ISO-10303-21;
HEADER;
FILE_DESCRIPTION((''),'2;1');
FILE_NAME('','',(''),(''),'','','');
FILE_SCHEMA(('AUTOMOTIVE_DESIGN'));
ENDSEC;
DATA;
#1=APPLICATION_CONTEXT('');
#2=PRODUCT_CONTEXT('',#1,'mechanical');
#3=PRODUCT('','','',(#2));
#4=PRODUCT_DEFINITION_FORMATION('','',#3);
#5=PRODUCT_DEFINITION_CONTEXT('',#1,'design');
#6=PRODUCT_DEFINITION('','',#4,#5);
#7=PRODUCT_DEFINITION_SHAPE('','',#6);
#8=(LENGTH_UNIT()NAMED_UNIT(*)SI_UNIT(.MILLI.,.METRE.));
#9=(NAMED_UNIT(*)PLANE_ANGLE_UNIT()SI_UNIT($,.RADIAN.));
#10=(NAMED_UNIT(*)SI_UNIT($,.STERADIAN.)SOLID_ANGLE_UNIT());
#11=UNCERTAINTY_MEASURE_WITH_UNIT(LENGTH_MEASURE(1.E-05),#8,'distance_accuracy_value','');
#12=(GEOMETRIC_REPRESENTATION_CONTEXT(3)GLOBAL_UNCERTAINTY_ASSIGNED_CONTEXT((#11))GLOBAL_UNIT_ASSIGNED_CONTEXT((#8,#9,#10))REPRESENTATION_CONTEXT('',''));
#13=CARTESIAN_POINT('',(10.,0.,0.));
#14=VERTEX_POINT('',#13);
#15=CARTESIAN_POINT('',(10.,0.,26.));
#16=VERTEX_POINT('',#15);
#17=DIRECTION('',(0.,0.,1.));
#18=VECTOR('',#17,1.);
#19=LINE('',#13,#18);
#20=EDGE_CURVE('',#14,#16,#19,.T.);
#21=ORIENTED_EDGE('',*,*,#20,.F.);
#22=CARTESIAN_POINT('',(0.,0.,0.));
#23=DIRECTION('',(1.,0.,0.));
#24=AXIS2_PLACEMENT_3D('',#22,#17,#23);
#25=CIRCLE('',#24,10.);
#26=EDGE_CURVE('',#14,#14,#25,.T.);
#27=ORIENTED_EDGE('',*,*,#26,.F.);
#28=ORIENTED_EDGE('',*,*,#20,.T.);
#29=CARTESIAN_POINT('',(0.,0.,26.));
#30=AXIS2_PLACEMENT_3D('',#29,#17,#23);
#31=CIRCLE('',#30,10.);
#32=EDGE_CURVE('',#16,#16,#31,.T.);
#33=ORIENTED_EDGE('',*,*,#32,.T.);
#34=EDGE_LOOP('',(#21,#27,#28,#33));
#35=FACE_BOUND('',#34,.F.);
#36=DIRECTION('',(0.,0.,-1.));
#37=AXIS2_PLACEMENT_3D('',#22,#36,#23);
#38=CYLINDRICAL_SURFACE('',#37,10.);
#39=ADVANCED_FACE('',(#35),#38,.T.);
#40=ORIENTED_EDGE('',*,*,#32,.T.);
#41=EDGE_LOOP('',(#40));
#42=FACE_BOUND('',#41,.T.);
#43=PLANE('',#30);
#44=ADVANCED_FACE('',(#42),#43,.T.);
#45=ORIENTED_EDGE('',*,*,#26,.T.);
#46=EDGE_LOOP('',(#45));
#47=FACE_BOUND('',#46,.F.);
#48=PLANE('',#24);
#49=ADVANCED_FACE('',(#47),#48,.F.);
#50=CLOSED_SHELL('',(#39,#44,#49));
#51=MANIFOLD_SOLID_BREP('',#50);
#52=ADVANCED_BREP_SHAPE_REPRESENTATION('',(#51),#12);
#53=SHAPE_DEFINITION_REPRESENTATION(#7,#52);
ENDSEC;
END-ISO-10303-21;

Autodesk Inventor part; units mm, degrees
ref_plane "YZ Plane" through (0, 0, 0) normal (1, 0, 0) x (0, 1, 0)
ref_plane "XZ Plane" through (0, 0, 0) normal (0, 1, 0) x (-1, 0, 0)
ref_plane "XY Plane" through (0, 0, 0) normal (0, 0, 1) x (1, 0, 0)
sketch "Boceto1" plane through (0, 0, 0) normal (0, 0, 1) x (1, 0, 0)
  circle A0 centre (0, 0) radius 10
  dimension "d0" = 20
extrude "Extrusión1" add sketch "Boceto1" along normal blind 26
properties part number "union"
